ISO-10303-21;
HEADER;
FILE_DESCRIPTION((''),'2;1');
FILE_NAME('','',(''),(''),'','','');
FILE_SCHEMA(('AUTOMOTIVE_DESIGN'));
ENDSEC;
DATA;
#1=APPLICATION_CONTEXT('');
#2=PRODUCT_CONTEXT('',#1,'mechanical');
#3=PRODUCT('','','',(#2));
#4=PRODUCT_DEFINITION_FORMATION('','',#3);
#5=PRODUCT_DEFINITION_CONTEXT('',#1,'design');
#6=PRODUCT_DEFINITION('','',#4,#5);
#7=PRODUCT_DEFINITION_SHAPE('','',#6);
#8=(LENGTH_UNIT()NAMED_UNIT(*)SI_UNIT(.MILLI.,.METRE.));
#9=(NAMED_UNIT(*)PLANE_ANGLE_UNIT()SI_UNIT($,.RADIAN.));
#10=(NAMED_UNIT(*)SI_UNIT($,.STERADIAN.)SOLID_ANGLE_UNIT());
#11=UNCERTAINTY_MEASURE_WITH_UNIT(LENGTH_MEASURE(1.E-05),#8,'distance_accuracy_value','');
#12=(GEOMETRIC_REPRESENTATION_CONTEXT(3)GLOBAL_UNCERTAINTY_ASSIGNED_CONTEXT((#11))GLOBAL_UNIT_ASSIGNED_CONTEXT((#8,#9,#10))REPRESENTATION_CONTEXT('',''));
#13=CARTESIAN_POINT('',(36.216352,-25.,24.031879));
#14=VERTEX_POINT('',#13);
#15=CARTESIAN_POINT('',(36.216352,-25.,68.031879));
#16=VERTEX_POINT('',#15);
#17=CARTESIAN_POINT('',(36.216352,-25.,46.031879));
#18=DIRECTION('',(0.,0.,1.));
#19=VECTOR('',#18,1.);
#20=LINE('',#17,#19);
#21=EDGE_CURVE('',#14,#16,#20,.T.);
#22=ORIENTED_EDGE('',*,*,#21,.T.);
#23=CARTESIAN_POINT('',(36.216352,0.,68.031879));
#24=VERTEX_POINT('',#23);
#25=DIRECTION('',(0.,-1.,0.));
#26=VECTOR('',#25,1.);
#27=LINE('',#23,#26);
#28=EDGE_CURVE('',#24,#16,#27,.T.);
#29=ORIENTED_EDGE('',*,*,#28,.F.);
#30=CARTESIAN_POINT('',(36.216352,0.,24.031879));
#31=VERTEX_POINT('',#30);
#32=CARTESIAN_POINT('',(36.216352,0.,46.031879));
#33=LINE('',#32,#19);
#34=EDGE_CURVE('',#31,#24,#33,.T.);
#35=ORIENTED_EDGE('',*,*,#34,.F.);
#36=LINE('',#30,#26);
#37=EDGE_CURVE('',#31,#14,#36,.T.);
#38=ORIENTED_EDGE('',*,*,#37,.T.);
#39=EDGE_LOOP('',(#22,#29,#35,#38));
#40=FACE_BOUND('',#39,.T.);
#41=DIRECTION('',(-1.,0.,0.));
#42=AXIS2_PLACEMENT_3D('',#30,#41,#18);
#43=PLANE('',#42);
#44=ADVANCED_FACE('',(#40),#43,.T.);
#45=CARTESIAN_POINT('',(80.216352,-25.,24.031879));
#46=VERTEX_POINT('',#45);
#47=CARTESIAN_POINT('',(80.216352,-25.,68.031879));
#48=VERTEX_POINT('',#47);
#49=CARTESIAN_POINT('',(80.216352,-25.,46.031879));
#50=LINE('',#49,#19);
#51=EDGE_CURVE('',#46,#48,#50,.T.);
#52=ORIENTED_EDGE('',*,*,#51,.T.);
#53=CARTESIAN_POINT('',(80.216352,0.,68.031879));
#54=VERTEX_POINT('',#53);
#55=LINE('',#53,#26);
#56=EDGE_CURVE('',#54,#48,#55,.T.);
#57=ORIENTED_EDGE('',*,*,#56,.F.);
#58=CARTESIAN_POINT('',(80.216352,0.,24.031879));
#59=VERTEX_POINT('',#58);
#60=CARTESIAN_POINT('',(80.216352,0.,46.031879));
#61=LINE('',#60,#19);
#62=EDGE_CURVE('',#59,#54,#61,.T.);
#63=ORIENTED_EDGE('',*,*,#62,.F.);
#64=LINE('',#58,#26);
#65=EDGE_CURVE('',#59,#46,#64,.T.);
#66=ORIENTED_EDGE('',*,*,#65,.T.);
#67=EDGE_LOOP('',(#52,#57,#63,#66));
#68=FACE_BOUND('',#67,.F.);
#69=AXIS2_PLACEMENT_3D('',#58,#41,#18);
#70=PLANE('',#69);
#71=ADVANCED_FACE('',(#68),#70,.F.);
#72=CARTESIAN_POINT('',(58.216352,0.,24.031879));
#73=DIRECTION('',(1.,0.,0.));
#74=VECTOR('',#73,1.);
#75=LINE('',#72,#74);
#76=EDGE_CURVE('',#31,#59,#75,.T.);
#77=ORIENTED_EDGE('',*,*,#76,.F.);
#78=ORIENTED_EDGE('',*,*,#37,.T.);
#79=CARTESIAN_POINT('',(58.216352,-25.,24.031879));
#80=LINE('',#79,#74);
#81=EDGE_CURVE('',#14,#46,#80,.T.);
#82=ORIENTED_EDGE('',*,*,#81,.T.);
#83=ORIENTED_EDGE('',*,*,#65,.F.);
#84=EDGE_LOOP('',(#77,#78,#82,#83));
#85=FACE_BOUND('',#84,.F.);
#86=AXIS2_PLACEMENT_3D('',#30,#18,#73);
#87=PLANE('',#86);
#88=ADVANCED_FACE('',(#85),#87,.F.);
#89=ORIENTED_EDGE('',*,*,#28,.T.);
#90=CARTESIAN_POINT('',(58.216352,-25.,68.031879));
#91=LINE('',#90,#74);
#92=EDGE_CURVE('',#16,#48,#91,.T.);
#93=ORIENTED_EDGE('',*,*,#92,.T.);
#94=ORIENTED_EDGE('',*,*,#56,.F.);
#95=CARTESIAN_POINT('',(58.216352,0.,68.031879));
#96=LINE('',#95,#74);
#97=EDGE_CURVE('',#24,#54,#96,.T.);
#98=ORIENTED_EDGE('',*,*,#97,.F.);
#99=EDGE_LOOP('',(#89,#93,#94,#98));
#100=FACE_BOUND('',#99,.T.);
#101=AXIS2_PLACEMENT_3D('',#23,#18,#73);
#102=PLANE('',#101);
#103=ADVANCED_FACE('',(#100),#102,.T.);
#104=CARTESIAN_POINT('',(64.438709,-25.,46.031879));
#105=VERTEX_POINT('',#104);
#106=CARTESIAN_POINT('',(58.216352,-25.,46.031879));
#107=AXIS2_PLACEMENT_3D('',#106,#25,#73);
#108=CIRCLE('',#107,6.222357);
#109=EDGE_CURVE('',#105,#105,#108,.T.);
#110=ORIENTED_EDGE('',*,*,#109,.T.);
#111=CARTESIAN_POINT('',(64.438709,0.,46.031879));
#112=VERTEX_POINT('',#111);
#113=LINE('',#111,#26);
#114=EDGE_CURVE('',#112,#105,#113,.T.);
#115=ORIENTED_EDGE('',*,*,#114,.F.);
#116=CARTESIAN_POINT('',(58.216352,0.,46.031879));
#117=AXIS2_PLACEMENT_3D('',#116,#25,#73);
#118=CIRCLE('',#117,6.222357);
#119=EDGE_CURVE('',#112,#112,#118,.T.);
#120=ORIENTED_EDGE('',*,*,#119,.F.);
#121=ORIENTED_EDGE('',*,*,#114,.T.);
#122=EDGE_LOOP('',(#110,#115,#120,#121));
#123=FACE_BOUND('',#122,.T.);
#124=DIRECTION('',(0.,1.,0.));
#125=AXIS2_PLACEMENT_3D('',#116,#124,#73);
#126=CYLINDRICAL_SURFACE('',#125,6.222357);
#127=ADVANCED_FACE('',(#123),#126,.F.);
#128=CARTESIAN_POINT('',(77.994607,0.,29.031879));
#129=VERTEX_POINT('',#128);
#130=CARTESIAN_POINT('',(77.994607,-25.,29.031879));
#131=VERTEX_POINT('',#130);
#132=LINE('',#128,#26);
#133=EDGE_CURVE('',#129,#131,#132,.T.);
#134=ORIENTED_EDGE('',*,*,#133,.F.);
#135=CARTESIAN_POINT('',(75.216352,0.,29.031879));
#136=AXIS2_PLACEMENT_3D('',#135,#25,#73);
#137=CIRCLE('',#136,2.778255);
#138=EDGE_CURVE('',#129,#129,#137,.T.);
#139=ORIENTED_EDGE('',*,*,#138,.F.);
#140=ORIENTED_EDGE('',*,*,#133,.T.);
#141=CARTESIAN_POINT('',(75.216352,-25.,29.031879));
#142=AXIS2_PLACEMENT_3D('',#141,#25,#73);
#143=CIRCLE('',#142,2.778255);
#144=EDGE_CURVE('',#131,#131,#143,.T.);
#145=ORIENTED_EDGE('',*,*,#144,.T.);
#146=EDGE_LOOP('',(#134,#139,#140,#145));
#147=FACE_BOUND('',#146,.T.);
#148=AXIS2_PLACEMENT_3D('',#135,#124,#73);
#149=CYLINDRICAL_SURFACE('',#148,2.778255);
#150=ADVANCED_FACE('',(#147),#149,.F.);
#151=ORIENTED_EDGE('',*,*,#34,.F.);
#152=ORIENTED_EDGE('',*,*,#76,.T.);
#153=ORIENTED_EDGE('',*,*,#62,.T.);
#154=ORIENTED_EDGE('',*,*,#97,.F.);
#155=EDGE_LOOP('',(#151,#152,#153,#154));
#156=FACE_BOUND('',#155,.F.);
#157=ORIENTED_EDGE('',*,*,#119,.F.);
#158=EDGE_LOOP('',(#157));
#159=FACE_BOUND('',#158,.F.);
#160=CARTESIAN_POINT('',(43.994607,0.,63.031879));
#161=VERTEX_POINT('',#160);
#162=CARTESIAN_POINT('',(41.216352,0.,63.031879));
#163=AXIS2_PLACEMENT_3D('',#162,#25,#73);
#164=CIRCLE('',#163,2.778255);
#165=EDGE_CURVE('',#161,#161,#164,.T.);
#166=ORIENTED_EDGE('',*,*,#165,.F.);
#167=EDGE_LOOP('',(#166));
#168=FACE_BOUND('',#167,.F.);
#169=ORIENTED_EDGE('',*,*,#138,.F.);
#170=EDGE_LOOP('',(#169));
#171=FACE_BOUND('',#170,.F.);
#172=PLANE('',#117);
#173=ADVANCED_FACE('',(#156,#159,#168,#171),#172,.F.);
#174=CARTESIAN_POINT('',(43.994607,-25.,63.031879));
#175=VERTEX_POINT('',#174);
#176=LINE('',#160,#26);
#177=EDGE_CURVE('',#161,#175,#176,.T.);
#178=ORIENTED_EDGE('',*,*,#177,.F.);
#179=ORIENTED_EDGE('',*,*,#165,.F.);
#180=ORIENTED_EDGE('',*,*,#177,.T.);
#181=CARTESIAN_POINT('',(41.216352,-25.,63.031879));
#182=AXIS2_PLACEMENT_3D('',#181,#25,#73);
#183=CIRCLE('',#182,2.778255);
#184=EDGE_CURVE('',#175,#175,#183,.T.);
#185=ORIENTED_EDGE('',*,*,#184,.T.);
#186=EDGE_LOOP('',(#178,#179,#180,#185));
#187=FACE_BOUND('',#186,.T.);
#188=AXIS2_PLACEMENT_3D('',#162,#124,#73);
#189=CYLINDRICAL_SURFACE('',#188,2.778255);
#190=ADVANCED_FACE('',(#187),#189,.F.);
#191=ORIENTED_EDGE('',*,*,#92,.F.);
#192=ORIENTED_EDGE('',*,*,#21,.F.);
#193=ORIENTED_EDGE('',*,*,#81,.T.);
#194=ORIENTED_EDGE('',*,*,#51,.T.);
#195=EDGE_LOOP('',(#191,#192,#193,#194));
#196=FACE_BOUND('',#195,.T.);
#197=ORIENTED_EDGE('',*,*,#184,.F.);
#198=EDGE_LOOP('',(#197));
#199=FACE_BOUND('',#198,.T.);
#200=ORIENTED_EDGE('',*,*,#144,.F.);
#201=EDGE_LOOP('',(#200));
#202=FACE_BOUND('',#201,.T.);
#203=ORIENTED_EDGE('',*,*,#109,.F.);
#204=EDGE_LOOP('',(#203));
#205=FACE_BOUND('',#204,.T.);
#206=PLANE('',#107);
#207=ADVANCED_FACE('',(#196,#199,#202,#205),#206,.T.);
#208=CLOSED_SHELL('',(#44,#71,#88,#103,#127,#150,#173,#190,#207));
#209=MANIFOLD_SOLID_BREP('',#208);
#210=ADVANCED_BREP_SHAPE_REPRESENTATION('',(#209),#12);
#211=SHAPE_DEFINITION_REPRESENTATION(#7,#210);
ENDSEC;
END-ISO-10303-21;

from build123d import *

# Parameters (mm, degrees)
F0_W     = 44
F0_H     = 44
F0_R     = 6.222357
F0_R_2   = 2.778255
F1_DEPTH = 25


with BuildPart() as f1:
    # F0 (on Front) → F1 (new body)
    with BuildSketch(Plane.XZ):
        with Locations((58.216352, 46.031879)):
            Rectangle(F0_W, F0_H)
        with Locations((58.216352, 46.031879)):
            Circle(F0_R, mode=Mode.SUBTRACT)
        with Locations((75.216352, 29.031879)):
            Circle(F0_R_2, mode=Mode.SUBTRACT)
        with Locations((41.216352, 63.031879)):
            Circle(F0_R_2, mode=Mode.SUBTRACT)
    extrude(amount=F1_DEPTH)


solid = f1.part
